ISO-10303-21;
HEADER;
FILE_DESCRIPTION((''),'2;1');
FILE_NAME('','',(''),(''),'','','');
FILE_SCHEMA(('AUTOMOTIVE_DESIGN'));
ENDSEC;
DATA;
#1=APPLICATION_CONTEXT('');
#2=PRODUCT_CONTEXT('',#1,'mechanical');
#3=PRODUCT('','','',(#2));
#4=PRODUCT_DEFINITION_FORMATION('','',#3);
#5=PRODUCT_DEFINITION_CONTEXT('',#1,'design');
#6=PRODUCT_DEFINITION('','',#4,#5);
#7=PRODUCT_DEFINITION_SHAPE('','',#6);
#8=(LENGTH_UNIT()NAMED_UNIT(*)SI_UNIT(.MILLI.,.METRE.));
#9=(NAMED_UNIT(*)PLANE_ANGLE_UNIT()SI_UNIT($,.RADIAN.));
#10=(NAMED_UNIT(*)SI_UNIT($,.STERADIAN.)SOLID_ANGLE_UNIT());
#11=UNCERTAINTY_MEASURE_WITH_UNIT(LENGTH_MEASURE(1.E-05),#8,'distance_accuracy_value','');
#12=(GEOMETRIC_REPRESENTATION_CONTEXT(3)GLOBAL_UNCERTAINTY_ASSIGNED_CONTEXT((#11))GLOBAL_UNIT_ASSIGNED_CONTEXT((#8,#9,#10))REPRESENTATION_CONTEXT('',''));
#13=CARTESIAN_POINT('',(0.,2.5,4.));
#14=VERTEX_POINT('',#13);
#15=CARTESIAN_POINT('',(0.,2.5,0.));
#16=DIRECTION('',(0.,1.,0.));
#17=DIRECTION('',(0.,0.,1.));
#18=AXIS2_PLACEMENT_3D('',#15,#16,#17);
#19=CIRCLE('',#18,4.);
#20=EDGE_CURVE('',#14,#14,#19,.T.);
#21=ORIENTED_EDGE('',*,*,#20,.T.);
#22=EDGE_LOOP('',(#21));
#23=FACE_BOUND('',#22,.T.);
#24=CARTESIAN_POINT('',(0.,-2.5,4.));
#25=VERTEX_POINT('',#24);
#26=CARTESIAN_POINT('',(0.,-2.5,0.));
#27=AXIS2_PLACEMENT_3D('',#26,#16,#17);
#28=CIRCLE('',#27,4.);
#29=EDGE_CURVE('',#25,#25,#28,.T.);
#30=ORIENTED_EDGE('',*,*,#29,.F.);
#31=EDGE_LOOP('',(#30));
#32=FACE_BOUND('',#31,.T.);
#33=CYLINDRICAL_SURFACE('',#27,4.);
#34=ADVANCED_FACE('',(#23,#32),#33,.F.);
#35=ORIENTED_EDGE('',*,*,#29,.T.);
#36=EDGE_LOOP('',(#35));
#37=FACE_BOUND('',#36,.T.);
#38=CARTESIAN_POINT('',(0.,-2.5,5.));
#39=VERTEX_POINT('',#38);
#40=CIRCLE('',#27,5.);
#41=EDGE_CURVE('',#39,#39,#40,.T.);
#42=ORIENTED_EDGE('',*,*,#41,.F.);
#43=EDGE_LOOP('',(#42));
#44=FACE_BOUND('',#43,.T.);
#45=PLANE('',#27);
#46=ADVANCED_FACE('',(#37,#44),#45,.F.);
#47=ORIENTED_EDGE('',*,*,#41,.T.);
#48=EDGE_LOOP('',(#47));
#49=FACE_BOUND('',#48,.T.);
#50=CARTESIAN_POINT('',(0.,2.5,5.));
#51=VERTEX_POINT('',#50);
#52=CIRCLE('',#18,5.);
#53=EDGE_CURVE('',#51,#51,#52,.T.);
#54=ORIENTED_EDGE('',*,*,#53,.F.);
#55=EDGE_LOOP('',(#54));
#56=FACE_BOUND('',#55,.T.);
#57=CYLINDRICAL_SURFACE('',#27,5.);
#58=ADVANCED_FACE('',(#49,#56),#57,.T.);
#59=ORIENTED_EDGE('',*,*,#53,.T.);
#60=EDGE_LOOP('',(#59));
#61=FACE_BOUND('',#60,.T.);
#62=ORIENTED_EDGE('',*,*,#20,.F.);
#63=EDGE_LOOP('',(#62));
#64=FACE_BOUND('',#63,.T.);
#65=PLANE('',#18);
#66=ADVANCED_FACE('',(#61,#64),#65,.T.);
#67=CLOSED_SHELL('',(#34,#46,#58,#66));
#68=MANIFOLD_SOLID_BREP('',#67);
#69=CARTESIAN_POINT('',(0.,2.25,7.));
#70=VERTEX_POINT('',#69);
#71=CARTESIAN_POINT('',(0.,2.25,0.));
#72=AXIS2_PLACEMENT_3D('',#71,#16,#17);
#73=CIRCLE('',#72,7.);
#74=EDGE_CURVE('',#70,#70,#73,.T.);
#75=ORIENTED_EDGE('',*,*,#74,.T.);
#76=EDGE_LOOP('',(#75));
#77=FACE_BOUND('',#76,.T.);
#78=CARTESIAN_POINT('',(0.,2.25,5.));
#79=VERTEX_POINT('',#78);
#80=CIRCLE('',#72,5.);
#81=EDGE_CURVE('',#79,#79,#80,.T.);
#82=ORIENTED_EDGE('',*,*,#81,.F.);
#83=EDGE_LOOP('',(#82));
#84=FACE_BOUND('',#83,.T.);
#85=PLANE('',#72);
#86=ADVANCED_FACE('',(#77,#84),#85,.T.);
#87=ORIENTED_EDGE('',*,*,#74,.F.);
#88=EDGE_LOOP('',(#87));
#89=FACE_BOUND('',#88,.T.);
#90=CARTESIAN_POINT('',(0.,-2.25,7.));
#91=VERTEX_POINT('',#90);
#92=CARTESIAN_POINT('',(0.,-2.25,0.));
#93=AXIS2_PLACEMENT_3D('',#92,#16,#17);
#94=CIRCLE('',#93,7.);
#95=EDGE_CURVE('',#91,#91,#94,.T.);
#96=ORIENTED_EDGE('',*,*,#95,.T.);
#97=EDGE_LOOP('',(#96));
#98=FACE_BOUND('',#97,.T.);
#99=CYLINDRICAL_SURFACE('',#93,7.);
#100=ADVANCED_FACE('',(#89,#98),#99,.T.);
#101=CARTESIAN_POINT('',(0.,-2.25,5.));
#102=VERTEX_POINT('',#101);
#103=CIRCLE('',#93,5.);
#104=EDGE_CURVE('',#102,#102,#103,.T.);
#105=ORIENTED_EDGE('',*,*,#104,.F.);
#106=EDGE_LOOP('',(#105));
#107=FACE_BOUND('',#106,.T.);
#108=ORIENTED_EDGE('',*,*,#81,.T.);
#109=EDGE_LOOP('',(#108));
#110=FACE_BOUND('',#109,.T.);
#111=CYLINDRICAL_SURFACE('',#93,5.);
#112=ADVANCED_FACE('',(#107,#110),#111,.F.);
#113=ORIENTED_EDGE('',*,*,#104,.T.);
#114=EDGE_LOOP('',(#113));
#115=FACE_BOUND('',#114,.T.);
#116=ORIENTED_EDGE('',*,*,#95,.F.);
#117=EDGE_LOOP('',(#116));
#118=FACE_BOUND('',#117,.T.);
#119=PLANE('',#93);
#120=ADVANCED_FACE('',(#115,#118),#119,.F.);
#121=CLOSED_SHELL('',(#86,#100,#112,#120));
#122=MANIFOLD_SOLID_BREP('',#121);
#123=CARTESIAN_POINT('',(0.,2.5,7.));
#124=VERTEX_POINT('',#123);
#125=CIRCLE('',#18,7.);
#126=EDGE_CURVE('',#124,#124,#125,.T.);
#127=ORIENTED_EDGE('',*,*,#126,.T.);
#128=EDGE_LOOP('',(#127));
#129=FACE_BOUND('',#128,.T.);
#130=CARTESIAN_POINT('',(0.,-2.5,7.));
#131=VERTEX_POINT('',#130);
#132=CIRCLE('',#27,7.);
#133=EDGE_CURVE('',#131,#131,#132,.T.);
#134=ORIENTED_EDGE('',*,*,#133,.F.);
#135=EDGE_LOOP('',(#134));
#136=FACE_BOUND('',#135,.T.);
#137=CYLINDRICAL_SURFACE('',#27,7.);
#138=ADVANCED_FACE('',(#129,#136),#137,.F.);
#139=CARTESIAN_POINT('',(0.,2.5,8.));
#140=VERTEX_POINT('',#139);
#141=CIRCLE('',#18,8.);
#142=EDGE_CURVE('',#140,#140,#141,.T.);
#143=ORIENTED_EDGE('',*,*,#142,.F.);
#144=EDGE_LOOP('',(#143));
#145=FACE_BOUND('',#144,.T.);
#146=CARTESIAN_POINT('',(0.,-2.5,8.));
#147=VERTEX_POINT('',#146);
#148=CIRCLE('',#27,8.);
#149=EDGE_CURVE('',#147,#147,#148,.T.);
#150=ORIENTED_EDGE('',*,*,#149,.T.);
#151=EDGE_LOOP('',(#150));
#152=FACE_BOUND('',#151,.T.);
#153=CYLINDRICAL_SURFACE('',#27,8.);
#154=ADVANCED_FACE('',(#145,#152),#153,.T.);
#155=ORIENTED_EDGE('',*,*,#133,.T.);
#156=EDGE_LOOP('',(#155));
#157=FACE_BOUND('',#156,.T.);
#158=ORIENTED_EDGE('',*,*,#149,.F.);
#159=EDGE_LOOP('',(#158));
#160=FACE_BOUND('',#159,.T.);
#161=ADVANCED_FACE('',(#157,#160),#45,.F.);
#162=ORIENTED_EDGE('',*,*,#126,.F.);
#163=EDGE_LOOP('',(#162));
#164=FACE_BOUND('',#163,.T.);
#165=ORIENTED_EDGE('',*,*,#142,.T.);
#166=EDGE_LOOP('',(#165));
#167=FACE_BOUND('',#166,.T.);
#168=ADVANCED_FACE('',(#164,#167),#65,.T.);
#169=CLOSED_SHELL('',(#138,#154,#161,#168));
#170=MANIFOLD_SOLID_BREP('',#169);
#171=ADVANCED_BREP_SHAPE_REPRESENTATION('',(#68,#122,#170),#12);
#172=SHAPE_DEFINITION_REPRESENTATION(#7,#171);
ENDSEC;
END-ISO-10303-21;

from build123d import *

# Parameters (mm, degrees)
BOSS_EXTRUDE1_DEPTH        = 2.5
BOSS_EXTRUDE1_DEPTH_BACK   = 2.5
SKETCH1_R                  = 8
SKETCH1_R_2                = 7
BOSS_EXTRUDE1_2_DEPTH      = 2.5
BOSS_EXTRUDE1_2_DEPTH_BACK = 2.5
SKETCH1_R_3                = 5
SKETCH1_R_4                = 4
BOSS_EXTRUDE2_DEPTH        = 2.25
BOSS_EXTRUDE2_DEPTH_BACK   = 2.25
SKETCH2_R                  = 7
SKETCH2_R_2                = 5


with BuildPart() as part:
    # Sketch1 → Boss-Extrude1 (new, two sides: drawn at the far end of the back side and taken through both)
    with BuildSketch(Plane(origin=(0, 0, 0), x_dir=(1, 0, 0), z_dir=(0, 1, 0)).offset(-BOSS_EXTRUDE1_DEPTH_BACK)):
        Circle(SKETCH1_R)
        Circle(SKETCH1_R_2, mode=Mode.SUBTRACT)
    extrude(amount=BOSS_EXTRUDE1_DEPTH + BOSS_EXTRUDE1_DEPTH_BACK)


with BuildPart() as body_2:
    # Sketch1 → Boss-Extrude1 2 (new, two sides: drawn at the far end of the back side and taken through both)
    with BuildSketch(Plane(origin=(0, 0, 0), x_dir=(1, 0, 0), z_dir=(0, 1, 0)).offset(-BOSS_EXTRUDE1_2_DEPTH_BACK)):
        Circle(SKETCH1_R_3)
        Circle(SKETCH1_R_4, mode=Mode.SUBTRACT)
    extrude(amount=BOSS_EXTRUDE1_2_DEPTH + BOSS_EXTRUDE1_2_DEPTH_BACK)


with BuildPart() as body_3:
    # Sketch2 → Boss-Extrude2 (new, two sides: drawn at the far end of the back side and taken through both)
    with BuildSketch(Plane(origin=(0, 0, 0), x_dir=(1, 0, 0), z_dir=(0, 1, 0)).offset(-BOSS_EXTRUDE2_DEPTH_BACK)):
        Circle(SKETCH2_R)
        Circle(SKETCH2_R_2, mode=Mode.SUBTRACT)
    extrude(amount=BOSS_EXTRUDE2_DEPTH + BOSS_EXTRUDE2_DEPTH_BACK)


solid = Compound([part.part, body_2.part, body_3.part])
